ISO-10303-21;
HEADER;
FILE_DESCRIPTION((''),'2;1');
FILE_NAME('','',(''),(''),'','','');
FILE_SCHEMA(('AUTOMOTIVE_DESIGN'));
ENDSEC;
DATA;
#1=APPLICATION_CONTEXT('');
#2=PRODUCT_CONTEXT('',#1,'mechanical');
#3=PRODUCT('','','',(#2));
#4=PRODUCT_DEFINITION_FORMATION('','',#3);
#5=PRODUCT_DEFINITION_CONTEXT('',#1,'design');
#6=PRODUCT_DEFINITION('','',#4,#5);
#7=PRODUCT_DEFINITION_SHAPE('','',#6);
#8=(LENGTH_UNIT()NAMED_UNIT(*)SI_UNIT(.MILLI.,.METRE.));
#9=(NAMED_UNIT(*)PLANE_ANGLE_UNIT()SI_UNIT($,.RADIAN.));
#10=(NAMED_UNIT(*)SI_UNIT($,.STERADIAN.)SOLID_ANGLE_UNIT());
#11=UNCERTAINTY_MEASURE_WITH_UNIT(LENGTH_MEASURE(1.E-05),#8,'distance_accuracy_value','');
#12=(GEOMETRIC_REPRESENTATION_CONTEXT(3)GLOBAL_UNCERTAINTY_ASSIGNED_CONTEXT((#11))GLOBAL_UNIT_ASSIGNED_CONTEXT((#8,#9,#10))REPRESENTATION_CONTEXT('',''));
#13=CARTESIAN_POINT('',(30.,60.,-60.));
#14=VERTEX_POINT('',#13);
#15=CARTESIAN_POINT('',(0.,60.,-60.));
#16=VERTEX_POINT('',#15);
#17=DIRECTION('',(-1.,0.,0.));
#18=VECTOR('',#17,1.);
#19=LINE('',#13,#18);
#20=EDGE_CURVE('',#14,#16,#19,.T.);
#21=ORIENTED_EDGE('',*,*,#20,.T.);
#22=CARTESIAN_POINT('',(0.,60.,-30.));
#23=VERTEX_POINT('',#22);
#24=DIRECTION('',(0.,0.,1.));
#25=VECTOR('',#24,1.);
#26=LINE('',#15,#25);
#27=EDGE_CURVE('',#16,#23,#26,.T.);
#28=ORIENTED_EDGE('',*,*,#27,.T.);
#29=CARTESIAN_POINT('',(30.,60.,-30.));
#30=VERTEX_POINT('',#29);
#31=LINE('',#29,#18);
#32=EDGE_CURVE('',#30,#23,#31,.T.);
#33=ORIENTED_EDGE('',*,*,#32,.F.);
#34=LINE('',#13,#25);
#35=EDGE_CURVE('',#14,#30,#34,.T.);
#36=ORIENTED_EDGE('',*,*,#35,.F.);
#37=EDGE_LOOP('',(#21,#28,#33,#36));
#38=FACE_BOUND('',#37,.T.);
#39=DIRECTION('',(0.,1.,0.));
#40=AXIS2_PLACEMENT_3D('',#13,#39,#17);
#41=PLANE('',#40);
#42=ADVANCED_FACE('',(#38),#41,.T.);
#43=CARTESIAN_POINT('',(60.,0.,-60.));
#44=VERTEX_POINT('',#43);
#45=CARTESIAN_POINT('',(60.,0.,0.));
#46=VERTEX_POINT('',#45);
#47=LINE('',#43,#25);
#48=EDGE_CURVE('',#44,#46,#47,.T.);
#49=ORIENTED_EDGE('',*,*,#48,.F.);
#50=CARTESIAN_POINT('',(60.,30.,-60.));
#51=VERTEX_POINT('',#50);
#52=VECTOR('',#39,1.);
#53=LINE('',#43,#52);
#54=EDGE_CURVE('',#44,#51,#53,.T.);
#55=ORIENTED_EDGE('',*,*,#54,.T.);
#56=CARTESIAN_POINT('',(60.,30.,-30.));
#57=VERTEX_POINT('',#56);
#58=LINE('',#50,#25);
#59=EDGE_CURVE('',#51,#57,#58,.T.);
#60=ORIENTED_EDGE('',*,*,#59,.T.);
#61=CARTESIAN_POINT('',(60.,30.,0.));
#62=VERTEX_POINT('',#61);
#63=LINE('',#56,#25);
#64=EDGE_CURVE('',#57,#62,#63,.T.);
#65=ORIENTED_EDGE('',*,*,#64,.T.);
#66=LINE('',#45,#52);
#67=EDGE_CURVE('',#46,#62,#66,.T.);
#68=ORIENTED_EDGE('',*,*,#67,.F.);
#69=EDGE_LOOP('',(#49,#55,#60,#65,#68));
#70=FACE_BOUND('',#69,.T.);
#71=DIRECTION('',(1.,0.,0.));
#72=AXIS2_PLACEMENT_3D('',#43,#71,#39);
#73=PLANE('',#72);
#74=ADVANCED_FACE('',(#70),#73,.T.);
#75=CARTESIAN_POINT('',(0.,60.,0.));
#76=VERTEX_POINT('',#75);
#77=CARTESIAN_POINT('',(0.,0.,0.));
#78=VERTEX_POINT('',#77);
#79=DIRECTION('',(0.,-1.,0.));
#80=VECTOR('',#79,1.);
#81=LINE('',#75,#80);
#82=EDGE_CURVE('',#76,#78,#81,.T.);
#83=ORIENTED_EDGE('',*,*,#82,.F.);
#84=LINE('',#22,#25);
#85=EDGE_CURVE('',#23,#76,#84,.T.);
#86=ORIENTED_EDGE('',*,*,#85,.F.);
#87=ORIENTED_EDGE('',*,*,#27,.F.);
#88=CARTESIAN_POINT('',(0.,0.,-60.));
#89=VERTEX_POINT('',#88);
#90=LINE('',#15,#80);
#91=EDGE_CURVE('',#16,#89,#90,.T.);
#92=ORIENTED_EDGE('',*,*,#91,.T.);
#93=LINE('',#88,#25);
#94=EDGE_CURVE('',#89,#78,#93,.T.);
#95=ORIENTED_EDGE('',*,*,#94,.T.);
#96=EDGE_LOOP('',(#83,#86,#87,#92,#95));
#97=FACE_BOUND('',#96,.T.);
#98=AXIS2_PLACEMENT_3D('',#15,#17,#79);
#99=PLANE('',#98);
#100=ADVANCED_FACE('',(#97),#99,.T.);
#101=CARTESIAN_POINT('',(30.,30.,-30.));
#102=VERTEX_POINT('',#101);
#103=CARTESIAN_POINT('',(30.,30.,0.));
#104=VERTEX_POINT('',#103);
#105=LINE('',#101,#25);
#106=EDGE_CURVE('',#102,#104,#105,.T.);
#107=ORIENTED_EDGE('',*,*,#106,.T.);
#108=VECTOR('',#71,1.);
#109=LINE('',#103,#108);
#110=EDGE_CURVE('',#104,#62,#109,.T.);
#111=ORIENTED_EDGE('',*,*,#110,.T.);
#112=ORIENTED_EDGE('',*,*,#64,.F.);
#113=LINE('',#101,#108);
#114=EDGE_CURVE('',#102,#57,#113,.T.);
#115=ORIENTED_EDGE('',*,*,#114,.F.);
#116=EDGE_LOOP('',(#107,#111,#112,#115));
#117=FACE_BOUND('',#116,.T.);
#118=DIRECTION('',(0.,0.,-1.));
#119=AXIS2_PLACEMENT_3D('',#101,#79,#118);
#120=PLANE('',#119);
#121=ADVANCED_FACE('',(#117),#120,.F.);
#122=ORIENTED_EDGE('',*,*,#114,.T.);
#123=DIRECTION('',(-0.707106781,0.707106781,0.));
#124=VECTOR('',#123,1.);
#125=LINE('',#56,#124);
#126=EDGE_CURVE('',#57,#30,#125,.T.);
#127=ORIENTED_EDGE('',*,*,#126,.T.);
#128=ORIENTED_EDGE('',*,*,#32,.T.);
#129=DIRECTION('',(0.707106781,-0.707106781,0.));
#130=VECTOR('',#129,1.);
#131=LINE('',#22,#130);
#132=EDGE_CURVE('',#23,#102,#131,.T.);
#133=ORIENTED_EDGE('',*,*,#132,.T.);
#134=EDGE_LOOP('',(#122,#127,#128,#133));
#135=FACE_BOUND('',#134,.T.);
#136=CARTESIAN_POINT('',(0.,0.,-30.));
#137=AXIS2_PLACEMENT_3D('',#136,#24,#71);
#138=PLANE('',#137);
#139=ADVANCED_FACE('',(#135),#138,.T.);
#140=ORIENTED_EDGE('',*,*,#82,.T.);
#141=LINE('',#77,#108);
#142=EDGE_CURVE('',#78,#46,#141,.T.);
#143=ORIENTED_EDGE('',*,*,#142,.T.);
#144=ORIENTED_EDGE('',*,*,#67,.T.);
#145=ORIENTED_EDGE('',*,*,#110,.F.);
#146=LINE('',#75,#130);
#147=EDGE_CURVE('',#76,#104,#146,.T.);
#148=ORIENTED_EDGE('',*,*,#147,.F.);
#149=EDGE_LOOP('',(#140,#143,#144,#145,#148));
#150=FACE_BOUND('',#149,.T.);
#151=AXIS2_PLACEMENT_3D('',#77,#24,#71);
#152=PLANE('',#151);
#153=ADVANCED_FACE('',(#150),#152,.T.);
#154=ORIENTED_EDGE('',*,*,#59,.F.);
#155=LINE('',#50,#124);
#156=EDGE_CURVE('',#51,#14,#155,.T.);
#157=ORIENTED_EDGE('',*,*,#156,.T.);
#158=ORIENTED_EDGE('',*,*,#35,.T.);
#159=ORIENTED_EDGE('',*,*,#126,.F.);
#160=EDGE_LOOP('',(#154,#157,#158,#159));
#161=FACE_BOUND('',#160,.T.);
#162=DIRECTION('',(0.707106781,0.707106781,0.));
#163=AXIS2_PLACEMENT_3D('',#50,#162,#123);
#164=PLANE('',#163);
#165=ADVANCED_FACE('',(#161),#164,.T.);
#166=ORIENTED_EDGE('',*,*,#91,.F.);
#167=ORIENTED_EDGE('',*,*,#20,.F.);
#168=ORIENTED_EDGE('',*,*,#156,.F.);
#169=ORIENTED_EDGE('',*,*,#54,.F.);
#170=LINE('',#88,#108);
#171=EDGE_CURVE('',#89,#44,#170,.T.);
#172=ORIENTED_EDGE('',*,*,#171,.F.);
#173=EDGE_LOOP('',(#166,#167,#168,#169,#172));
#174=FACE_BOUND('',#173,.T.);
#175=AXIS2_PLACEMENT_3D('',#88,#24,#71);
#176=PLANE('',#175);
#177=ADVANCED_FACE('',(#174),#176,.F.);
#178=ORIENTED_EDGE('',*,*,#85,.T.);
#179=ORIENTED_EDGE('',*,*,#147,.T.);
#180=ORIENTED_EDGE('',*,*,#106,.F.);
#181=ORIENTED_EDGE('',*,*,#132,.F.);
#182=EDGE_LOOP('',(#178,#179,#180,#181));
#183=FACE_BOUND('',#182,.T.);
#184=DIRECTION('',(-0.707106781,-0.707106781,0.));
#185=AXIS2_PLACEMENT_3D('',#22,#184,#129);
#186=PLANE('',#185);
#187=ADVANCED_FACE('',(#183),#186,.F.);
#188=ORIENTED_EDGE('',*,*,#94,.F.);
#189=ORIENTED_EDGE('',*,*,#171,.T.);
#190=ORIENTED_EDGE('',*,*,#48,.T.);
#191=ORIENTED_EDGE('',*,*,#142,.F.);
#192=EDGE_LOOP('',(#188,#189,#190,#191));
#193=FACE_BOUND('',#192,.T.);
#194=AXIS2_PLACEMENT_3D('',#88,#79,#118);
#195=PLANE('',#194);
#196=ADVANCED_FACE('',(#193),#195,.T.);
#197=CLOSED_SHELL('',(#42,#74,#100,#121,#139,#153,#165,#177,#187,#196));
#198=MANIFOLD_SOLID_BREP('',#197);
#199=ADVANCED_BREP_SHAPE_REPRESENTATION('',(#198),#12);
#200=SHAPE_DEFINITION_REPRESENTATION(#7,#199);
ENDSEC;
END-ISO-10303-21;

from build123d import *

# Parameters (mm, degrees)
SALIENTE_EXTRUIR1_DEPTH = 60
CORTAR_EXTRUIR1_DEPTH   = 30


with BuildPart() as part:
    # Croquis1 → Saliente-Extruir1 (new body)
    with BuildSketch(Plane.XY):
        Polygon((0, 60), (0, 0), (60, 0), (60, 30), (30, 60), align=None)
    extrude(amount=-SALIENTE_EXTRUIR1_DEPTH)

    # Croquis2 → Cortar-Extruir1 (cut)
    with BuildSketch(Plane.XY):
        Polygon((60, 30), (30, 60), (0, 60), (30, 30), align=None)
    extrude(amount=-CORTAR_EXTRUIR1_DEPTH, mode=Mode.SUBTRACT)


solid = part.part
